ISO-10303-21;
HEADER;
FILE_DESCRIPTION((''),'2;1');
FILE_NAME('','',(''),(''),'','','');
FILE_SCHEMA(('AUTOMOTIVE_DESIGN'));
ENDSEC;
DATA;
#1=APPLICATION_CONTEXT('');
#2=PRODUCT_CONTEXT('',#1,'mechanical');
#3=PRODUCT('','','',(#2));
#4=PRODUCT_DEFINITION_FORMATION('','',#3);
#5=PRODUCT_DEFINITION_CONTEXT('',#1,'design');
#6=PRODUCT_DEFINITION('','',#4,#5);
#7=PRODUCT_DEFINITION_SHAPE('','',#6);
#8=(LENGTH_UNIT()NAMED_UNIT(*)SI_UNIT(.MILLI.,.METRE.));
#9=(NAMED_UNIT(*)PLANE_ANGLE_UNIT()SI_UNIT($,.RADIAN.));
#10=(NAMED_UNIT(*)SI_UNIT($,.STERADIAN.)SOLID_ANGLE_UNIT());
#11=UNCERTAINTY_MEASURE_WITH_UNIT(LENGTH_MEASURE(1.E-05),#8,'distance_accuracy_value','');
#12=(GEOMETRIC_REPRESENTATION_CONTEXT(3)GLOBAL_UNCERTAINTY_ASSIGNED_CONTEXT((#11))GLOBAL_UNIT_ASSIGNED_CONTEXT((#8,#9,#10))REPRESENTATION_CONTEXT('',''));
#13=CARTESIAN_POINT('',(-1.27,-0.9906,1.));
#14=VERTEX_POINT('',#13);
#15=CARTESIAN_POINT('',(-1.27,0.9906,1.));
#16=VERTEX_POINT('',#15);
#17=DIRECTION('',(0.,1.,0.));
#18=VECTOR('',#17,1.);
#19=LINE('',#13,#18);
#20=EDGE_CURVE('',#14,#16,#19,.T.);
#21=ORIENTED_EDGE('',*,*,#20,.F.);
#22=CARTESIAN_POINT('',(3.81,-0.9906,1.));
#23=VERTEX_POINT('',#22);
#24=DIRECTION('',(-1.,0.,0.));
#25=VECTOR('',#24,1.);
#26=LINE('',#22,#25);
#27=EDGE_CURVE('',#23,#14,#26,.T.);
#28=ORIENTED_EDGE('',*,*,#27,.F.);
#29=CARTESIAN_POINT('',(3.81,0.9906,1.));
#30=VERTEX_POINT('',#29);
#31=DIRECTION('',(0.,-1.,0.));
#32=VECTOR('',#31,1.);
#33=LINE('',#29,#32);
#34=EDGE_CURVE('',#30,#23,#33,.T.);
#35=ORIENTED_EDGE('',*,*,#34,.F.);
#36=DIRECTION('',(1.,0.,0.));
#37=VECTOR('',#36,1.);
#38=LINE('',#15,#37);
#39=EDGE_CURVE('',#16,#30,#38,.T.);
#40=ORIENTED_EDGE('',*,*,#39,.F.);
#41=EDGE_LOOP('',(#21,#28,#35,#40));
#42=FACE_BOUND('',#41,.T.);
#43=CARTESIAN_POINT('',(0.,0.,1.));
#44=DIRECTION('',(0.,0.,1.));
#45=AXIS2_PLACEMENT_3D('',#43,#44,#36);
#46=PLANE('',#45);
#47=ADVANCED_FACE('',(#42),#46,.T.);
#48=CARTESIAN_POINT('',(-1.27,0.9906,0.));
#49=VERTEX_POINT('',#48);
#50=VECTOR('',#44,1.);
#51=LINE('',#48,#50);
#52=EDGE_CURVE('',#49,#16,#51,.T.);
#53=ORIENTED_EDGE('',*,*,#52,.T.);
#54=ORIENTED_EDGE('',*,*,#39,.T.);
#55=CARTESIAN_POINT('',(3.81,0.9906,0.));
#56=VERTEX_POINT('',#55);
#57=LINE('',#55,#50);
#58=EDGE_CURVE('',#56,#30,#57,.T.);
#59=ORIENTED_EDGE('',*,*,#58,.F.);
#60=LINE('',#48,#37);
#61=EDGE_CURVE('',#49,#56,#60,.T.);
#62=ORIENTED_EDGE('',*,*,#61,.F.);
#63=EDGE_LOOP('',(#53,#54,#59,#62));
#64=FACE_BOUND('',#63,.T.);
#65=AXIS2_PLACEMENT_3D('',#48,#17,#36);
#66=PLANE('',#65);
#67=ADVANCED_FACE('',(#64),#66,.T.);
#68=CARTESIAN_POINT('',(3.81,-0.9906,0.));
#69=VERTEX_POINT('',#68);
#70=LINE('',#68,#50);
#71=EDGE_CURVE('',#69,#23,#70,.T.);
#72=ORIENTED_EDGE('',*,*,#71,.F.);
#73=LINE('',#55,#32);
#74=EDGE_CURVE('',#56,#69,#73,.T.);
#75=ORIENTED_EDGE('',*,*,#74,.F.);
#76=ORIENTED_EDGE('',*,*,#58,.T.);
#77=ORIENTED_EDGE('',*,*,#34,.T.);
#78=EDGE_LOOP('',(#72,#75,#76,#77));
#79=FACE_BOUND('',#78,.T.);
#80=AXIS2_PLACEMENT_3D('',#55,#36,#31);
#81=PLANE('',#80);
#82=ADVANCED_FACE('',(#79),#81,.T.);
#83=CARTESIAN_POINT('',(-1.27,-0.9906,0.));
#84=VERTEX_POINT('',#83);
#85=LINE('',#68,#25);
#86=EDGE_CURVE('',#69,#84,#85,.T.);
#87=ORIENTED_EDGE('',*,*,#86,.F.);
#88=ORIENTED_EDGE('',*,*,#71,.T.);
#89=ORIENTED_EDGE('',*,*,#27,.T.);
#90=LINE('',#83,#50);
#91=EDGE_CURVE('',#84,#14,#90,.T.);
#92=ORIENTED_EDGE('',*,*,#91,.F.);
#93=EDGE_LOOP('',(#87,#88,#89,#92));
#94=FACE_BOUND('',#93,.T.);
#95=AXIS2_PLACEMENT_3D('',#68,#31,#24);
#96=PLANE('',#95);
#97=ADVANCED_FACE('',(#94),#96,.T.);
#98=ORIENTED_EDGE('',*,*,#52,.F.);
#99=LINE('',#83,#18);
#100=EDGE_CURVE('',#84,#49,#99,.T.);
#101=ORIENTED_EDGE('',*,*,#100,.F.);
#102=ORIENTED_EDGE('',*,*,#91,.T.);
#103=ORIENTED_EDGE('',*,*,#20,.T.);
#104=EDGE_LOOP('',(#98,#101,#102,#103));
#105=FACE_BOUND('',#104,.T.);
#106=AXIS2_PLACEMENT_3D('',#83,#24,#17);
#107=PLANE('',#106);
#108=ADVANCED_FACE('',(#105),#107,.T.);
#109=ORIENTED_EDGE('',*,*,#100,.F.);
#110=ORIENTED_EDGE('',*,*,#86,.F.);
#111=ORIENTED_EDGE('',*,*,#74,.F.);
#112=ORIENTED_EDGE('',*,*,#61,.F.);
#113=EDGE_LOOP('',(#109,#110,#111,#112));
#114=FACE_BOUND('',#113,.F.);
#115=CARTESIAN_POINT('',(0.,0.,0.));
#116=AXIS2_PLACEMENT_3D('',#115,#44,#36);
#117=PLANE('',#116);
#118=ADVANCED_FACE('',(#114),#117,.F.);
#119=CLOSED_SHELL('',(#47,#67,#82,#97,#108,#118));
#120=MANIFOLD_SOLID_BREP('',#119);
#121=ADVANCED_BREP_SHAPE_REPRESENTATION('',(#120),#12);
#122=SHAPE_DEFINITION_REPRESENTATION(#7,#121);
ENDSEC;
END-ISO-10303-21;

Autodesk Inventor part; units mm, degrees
ref_plane "YZ Plane" through (0, 0, 0) normal (1, 0, 0) x (0, 1, 0)
ref_plane "XZ Plane" through (0, 0, 0) normal (0, 1, 0) x (-1, 0, 0)
ref_plane "XY Plane" through (0, 0, 0) normal (0, 0, 1) x (1, 0, 0)
sketch "1X02_LOCK_LONGPADS, 3_36" plane through (0, 0, 0) normal (0, 0, 1) x (1, 0, 0)
  line L0 (-1.27, 0.9906) -> (3.81, 0.9906)
  line L1 (3.81, 0.9906) -> (3.81, -0.9906)
  line L2 (3.81, -0.9906) -> (-1.27, -0.9906)
  line L3 (-1.27, -0.9906) -> (-1.27, 0.9906)
extrude "Extrusion1" add sketch "1X02_LOCK_LONGPADS, 3_36" along normal blind 1
properties part number "3"
